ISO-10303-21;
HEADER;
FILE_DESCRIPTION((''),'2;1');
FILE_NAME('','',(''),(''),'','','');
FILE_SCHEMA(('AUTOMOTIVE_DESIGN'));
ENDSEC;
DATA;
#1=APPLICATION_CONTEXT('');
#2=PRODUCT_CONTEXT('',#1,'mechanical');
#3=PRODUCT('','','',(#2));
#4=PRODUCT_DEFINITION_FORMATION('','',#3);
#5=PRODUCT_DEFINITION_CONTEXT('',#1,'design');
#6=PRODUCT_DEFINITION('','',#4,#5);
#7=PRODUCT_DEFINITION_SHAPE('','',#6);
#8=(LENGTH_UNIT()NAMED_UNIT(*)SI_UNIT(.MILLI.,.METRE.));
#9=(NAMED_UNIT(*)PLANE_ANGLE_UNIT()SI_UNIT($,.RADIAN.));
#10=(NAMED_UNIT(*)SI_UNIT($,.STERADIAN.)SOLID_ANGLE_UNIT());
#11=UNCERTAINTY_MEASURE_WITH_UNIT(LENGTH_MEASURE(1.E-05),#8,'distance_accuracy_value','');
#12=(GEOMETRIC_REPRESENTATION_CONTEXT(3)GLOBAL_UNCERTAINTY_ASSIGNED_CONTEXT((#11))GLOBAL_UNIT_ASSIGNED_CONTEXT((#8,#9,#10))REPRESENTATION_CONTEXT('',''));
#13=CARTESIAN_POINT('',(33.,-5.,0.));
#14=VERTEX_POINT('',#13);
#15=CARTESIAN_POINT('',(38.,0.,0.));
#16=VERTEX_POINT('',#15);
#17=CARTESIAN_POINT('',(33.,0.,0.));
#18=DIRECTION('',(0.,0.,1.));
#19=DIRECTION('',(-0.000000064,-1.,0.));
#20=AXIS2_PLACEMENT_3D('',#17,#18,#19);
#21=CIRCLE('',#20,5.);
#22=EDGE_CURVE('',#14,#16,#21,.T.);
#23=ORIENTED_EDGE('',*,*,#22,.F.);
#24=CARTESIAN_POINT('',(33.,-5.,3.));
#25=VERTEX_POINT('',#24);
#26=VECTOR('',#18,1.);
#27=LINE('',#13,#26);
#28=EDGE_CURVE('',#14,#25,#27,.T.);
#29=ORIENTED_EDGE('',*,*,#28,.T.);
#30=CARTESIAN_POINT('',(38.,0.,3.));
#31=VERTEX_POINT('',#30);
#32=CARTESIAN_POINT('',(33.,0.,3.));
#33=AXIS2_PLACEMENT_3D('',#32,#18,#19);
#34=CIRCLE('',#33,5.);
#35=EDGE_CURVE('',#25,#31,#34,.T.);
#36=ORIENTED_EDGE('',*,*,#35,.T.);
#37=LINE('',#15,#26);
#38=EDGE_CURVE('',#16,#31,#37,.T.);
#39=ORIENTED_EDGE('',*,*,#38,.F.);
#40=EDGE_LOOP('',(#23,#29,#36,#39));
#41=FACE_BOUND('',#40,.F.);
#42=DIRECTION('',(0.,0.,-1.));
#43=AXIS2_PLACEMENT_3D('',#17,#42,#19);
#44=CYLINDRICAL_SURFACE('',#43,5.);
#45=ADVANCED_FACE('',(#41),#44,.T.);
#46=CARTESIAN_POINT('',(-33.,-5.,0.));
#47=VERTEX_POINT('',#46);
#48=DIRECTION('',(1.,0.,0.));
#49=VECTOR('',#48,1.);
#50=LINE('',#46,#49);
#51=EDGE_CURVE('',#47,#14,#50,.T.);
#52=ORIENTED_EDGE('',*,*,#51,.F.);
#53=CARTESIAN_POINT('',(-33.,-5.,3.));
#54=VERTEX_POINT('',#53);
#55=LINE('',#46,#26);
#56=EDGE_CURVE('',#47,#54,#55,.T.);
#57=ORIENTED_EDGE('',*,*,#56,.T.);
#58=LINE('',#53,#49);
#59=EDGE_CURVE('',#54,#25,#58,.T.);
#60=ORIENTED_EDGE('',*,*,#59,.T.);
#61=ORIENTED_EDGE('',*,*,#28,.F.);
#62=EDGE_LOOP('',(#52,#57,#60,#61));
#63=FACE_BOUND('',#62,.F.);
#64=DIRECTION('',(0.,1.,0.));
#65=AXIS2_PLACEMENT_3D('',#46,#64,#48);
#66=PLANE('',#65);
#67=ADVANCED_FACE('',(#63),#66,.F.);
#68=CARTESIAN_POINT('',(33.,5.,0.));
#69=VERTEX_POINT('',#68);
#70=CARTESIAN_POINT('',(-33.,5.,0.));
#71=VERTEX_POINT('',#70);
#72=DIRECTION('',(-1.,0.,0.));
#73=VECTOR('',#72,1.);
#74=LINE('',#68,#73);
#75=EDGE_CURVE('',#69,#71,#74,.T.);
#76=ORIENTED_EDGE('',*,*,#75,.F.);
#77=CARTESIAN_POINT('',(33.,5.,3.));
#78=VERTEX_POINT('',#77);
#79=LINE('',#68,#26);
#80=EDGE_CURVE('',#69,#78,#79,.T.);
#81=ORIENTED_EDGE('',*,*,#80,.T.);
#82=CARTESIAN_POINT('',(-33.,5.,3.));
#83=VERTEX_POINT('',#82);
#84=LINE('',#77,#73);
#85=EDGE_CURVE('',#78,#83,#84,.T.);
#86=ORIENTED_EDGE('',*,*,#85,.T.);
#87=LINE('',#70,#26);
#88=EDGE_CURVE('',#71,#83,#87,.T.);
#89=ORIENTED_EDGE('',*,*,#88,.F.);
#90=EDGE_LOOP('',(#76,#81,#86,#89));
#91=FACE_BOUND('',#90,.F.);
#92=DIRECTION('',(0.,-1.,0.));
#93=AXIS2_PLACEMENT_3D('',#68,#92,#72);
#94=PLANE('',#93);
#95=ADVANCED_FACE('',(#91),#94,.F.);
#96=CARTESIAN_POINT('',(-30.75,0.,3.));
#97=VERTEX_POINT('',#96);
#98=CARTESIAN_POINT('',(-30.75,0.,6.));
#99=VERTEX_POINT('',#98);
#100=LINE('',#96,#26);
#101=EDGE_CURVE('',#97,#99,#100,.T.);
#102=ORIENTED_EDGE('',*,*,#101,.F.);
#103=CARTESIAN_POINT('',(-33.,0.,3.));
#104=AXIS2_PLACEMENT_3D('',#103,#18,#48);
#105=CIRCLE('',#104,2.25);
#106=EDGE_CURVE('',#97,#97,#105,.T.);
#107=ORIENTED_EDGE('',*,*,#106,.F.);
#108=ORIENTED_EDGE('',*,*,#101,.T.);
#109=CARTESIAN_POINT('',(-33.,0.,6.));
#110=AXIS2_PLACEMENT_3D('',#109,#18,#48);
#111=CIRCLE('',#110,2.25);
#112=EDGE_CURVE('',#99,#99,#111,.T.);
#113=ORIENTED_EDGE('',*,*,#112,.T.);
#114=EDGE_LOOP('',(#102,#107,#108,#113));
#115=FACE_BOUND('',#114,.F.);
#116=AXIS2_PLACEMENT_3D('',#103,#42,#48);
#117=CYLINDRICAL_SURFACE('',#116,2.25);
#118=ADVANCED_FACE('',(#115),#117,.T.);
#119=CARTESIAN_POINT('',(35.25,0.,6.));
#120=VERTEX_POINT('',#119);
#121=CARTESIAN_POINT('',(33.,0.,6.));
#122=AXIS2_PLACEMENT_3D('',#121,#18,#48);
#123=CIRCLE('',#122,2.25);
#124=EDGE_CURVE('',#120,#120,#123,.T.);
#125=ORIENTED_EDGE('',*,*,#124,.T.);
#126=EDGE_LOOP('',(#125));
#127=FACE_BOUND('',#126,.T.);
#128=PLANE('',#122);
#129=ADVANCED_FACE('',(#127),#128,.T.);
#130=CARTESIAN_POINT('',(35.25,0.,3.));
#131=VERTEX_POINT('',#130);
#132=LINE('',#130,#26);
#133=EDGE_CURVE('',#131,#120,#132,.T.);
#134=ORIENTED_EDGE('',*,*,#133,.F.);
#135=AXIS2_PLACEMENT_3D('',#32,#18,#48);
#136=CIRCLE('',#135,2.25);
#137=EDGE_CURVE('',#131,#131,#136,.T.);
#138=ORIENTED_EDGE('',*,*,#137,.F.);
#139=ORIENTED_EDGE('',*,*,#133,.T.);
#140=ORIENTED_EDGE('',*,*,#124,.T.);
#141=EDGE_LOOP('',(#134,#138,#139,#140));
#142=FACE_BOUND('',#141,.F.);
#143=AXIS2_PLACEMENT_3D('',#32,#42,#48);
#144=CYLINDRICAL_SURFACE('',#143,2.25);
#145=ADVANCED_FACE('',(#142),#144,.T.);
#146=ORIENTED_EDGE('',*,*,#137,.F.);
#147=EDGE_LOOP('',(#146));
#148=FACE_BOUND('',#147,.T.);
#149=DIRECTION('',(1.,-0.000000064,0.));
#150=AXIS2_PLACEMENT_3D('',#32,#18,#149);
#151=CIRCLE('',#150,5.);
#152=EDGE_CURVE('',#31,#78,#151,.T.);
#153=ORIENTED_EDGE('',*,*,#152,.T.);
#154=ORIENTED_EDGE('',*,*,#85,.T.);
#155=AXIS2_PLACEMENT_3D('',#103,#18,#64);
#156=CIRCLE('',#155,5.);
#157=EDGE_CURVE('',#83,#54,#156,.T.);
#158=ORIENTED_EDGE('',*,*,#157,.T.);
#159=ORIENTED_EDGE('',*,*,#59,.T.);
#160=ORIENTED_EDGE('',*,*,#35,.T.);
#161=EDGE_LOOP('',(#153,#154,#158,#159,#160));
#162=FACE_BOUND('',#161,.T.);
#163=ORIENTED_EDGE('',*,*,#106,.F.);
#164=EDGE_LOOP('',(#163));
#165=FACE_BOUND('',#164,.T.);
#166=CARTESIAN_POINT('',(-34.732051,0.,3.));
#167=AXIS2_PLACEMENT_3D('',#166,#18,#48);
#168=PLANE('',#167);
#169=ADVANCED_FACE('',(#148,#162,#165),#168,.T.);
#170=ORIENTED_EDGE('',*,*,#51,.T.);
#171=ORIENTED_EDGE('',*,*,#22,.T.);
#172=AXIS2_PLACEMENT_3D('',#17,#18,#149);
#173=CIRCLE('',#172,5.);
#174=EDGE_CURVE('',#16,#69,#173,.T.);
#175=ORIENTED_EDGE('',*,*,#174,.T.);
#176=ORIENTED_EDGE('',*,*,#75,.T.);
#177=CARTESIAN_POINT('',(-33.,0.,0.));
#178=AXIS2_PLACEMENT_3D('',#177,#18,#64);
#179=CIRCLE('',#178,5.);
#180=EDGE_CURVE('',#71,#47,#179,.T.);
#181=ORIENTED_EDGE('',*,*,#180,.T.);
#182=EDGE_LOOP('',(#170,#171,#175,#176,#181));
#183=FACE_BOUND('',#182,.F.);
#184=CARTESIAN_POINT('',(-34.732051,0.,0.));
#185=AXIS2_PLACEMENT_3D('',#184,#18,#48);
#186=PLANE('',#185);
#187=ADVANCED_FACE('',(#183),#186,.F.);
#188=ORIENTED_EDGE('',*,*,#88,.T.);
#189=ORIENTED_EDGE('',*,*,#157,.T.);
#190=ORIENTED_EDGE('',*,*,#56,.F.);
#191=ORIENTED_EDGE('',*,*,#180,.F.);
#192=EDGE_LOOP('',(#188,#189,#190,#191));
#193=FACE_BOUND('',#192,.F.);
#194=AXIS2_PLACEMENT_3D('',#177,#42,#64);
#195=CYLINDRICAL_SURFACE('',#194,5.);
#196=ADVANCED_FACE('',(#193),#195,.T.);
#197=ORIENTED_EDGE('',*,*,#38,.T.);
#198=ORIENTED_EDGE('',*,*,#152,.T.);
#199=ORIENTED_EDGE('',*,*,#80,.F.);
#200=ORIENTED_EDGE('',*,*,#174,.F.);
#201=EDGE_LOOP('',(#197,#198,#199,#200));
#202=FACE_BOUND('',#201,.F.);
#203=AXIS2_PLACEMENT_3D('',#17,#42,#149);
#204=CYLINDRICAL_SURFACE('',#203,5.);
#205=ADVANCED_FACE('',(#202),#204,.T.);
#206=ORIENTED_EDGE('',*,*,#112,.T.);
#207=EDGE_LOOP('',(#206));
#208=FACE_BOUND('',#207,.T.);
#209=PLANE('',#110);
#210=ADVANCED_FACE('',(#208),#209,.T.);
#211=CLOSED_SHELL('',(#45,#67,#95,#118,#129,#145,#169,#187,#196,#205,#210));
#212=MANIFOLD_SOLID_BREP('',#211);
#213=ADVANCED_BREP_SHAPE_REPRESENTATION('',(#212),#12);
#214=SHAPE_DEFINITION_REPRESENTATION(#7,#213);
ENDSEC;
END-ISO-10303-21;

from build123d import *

# Parameters (mm, degrees)
F1_DEPTH = 3
F2_R     = 2.25
F3_DEPTH = 3


with BuildPart() as f1:
    # F0 (on Top) → F1 (new body)
    with BuildSketch(Plane.XY):
        with BuildLine():
            Line((-33, -5), (-33, 5))
            ThreePointArc((-33, 5), (-38, 0), (-33, -5))
        make_face()
        with BuildLine():
            ThreePointArc((-28, 0), (-29.464466, 3.535534), (-33, 5))
            Line((-33, 5), (-33, -5))
            ThreePointArc((-33, -5), (-29.464466, -3.535534), (-28, 0))
        make_face()
        with BuildLine():
            Line((33, 5), (-33, 5))
            ThreePointArc((-33, 5), (-29.464466, 3.535534), (-28, 0))
            ThreePointArc((-28, 0), (-29.464466, -3.535534), (-33, -5))
            Line((-33, -5), (33, -5))
            ThreePointArc((33, -5), (28, 0), (33, 5))
        make_face()
        with BuildLine():
            Line((33, -5), (33, 5))
            ThreePointArc((33, 5), (28, 0), (33, -5))
        make_face()
        with BuildLine():
            ThreePointArc((38, 0), (36.535534, 3.535534), (33, 5))
            Line((33, 5), (33, -5))
            ThreePointArc((33, -5), (36.535534, -3.535534), (38, 0))
        make_face()
    extrude(amount=F1_DEPTH)

    # F2 (on face) → F3 (join)
    with BuildSketch(Plane.XY.offset(3)):
        with Locations((-33, 0)):
            Circle(F2_R)
        with Locations((33, 0)):
            Circle(F2_R)
    extrude(amount=F3_DEPTH)


solid = f1.part
